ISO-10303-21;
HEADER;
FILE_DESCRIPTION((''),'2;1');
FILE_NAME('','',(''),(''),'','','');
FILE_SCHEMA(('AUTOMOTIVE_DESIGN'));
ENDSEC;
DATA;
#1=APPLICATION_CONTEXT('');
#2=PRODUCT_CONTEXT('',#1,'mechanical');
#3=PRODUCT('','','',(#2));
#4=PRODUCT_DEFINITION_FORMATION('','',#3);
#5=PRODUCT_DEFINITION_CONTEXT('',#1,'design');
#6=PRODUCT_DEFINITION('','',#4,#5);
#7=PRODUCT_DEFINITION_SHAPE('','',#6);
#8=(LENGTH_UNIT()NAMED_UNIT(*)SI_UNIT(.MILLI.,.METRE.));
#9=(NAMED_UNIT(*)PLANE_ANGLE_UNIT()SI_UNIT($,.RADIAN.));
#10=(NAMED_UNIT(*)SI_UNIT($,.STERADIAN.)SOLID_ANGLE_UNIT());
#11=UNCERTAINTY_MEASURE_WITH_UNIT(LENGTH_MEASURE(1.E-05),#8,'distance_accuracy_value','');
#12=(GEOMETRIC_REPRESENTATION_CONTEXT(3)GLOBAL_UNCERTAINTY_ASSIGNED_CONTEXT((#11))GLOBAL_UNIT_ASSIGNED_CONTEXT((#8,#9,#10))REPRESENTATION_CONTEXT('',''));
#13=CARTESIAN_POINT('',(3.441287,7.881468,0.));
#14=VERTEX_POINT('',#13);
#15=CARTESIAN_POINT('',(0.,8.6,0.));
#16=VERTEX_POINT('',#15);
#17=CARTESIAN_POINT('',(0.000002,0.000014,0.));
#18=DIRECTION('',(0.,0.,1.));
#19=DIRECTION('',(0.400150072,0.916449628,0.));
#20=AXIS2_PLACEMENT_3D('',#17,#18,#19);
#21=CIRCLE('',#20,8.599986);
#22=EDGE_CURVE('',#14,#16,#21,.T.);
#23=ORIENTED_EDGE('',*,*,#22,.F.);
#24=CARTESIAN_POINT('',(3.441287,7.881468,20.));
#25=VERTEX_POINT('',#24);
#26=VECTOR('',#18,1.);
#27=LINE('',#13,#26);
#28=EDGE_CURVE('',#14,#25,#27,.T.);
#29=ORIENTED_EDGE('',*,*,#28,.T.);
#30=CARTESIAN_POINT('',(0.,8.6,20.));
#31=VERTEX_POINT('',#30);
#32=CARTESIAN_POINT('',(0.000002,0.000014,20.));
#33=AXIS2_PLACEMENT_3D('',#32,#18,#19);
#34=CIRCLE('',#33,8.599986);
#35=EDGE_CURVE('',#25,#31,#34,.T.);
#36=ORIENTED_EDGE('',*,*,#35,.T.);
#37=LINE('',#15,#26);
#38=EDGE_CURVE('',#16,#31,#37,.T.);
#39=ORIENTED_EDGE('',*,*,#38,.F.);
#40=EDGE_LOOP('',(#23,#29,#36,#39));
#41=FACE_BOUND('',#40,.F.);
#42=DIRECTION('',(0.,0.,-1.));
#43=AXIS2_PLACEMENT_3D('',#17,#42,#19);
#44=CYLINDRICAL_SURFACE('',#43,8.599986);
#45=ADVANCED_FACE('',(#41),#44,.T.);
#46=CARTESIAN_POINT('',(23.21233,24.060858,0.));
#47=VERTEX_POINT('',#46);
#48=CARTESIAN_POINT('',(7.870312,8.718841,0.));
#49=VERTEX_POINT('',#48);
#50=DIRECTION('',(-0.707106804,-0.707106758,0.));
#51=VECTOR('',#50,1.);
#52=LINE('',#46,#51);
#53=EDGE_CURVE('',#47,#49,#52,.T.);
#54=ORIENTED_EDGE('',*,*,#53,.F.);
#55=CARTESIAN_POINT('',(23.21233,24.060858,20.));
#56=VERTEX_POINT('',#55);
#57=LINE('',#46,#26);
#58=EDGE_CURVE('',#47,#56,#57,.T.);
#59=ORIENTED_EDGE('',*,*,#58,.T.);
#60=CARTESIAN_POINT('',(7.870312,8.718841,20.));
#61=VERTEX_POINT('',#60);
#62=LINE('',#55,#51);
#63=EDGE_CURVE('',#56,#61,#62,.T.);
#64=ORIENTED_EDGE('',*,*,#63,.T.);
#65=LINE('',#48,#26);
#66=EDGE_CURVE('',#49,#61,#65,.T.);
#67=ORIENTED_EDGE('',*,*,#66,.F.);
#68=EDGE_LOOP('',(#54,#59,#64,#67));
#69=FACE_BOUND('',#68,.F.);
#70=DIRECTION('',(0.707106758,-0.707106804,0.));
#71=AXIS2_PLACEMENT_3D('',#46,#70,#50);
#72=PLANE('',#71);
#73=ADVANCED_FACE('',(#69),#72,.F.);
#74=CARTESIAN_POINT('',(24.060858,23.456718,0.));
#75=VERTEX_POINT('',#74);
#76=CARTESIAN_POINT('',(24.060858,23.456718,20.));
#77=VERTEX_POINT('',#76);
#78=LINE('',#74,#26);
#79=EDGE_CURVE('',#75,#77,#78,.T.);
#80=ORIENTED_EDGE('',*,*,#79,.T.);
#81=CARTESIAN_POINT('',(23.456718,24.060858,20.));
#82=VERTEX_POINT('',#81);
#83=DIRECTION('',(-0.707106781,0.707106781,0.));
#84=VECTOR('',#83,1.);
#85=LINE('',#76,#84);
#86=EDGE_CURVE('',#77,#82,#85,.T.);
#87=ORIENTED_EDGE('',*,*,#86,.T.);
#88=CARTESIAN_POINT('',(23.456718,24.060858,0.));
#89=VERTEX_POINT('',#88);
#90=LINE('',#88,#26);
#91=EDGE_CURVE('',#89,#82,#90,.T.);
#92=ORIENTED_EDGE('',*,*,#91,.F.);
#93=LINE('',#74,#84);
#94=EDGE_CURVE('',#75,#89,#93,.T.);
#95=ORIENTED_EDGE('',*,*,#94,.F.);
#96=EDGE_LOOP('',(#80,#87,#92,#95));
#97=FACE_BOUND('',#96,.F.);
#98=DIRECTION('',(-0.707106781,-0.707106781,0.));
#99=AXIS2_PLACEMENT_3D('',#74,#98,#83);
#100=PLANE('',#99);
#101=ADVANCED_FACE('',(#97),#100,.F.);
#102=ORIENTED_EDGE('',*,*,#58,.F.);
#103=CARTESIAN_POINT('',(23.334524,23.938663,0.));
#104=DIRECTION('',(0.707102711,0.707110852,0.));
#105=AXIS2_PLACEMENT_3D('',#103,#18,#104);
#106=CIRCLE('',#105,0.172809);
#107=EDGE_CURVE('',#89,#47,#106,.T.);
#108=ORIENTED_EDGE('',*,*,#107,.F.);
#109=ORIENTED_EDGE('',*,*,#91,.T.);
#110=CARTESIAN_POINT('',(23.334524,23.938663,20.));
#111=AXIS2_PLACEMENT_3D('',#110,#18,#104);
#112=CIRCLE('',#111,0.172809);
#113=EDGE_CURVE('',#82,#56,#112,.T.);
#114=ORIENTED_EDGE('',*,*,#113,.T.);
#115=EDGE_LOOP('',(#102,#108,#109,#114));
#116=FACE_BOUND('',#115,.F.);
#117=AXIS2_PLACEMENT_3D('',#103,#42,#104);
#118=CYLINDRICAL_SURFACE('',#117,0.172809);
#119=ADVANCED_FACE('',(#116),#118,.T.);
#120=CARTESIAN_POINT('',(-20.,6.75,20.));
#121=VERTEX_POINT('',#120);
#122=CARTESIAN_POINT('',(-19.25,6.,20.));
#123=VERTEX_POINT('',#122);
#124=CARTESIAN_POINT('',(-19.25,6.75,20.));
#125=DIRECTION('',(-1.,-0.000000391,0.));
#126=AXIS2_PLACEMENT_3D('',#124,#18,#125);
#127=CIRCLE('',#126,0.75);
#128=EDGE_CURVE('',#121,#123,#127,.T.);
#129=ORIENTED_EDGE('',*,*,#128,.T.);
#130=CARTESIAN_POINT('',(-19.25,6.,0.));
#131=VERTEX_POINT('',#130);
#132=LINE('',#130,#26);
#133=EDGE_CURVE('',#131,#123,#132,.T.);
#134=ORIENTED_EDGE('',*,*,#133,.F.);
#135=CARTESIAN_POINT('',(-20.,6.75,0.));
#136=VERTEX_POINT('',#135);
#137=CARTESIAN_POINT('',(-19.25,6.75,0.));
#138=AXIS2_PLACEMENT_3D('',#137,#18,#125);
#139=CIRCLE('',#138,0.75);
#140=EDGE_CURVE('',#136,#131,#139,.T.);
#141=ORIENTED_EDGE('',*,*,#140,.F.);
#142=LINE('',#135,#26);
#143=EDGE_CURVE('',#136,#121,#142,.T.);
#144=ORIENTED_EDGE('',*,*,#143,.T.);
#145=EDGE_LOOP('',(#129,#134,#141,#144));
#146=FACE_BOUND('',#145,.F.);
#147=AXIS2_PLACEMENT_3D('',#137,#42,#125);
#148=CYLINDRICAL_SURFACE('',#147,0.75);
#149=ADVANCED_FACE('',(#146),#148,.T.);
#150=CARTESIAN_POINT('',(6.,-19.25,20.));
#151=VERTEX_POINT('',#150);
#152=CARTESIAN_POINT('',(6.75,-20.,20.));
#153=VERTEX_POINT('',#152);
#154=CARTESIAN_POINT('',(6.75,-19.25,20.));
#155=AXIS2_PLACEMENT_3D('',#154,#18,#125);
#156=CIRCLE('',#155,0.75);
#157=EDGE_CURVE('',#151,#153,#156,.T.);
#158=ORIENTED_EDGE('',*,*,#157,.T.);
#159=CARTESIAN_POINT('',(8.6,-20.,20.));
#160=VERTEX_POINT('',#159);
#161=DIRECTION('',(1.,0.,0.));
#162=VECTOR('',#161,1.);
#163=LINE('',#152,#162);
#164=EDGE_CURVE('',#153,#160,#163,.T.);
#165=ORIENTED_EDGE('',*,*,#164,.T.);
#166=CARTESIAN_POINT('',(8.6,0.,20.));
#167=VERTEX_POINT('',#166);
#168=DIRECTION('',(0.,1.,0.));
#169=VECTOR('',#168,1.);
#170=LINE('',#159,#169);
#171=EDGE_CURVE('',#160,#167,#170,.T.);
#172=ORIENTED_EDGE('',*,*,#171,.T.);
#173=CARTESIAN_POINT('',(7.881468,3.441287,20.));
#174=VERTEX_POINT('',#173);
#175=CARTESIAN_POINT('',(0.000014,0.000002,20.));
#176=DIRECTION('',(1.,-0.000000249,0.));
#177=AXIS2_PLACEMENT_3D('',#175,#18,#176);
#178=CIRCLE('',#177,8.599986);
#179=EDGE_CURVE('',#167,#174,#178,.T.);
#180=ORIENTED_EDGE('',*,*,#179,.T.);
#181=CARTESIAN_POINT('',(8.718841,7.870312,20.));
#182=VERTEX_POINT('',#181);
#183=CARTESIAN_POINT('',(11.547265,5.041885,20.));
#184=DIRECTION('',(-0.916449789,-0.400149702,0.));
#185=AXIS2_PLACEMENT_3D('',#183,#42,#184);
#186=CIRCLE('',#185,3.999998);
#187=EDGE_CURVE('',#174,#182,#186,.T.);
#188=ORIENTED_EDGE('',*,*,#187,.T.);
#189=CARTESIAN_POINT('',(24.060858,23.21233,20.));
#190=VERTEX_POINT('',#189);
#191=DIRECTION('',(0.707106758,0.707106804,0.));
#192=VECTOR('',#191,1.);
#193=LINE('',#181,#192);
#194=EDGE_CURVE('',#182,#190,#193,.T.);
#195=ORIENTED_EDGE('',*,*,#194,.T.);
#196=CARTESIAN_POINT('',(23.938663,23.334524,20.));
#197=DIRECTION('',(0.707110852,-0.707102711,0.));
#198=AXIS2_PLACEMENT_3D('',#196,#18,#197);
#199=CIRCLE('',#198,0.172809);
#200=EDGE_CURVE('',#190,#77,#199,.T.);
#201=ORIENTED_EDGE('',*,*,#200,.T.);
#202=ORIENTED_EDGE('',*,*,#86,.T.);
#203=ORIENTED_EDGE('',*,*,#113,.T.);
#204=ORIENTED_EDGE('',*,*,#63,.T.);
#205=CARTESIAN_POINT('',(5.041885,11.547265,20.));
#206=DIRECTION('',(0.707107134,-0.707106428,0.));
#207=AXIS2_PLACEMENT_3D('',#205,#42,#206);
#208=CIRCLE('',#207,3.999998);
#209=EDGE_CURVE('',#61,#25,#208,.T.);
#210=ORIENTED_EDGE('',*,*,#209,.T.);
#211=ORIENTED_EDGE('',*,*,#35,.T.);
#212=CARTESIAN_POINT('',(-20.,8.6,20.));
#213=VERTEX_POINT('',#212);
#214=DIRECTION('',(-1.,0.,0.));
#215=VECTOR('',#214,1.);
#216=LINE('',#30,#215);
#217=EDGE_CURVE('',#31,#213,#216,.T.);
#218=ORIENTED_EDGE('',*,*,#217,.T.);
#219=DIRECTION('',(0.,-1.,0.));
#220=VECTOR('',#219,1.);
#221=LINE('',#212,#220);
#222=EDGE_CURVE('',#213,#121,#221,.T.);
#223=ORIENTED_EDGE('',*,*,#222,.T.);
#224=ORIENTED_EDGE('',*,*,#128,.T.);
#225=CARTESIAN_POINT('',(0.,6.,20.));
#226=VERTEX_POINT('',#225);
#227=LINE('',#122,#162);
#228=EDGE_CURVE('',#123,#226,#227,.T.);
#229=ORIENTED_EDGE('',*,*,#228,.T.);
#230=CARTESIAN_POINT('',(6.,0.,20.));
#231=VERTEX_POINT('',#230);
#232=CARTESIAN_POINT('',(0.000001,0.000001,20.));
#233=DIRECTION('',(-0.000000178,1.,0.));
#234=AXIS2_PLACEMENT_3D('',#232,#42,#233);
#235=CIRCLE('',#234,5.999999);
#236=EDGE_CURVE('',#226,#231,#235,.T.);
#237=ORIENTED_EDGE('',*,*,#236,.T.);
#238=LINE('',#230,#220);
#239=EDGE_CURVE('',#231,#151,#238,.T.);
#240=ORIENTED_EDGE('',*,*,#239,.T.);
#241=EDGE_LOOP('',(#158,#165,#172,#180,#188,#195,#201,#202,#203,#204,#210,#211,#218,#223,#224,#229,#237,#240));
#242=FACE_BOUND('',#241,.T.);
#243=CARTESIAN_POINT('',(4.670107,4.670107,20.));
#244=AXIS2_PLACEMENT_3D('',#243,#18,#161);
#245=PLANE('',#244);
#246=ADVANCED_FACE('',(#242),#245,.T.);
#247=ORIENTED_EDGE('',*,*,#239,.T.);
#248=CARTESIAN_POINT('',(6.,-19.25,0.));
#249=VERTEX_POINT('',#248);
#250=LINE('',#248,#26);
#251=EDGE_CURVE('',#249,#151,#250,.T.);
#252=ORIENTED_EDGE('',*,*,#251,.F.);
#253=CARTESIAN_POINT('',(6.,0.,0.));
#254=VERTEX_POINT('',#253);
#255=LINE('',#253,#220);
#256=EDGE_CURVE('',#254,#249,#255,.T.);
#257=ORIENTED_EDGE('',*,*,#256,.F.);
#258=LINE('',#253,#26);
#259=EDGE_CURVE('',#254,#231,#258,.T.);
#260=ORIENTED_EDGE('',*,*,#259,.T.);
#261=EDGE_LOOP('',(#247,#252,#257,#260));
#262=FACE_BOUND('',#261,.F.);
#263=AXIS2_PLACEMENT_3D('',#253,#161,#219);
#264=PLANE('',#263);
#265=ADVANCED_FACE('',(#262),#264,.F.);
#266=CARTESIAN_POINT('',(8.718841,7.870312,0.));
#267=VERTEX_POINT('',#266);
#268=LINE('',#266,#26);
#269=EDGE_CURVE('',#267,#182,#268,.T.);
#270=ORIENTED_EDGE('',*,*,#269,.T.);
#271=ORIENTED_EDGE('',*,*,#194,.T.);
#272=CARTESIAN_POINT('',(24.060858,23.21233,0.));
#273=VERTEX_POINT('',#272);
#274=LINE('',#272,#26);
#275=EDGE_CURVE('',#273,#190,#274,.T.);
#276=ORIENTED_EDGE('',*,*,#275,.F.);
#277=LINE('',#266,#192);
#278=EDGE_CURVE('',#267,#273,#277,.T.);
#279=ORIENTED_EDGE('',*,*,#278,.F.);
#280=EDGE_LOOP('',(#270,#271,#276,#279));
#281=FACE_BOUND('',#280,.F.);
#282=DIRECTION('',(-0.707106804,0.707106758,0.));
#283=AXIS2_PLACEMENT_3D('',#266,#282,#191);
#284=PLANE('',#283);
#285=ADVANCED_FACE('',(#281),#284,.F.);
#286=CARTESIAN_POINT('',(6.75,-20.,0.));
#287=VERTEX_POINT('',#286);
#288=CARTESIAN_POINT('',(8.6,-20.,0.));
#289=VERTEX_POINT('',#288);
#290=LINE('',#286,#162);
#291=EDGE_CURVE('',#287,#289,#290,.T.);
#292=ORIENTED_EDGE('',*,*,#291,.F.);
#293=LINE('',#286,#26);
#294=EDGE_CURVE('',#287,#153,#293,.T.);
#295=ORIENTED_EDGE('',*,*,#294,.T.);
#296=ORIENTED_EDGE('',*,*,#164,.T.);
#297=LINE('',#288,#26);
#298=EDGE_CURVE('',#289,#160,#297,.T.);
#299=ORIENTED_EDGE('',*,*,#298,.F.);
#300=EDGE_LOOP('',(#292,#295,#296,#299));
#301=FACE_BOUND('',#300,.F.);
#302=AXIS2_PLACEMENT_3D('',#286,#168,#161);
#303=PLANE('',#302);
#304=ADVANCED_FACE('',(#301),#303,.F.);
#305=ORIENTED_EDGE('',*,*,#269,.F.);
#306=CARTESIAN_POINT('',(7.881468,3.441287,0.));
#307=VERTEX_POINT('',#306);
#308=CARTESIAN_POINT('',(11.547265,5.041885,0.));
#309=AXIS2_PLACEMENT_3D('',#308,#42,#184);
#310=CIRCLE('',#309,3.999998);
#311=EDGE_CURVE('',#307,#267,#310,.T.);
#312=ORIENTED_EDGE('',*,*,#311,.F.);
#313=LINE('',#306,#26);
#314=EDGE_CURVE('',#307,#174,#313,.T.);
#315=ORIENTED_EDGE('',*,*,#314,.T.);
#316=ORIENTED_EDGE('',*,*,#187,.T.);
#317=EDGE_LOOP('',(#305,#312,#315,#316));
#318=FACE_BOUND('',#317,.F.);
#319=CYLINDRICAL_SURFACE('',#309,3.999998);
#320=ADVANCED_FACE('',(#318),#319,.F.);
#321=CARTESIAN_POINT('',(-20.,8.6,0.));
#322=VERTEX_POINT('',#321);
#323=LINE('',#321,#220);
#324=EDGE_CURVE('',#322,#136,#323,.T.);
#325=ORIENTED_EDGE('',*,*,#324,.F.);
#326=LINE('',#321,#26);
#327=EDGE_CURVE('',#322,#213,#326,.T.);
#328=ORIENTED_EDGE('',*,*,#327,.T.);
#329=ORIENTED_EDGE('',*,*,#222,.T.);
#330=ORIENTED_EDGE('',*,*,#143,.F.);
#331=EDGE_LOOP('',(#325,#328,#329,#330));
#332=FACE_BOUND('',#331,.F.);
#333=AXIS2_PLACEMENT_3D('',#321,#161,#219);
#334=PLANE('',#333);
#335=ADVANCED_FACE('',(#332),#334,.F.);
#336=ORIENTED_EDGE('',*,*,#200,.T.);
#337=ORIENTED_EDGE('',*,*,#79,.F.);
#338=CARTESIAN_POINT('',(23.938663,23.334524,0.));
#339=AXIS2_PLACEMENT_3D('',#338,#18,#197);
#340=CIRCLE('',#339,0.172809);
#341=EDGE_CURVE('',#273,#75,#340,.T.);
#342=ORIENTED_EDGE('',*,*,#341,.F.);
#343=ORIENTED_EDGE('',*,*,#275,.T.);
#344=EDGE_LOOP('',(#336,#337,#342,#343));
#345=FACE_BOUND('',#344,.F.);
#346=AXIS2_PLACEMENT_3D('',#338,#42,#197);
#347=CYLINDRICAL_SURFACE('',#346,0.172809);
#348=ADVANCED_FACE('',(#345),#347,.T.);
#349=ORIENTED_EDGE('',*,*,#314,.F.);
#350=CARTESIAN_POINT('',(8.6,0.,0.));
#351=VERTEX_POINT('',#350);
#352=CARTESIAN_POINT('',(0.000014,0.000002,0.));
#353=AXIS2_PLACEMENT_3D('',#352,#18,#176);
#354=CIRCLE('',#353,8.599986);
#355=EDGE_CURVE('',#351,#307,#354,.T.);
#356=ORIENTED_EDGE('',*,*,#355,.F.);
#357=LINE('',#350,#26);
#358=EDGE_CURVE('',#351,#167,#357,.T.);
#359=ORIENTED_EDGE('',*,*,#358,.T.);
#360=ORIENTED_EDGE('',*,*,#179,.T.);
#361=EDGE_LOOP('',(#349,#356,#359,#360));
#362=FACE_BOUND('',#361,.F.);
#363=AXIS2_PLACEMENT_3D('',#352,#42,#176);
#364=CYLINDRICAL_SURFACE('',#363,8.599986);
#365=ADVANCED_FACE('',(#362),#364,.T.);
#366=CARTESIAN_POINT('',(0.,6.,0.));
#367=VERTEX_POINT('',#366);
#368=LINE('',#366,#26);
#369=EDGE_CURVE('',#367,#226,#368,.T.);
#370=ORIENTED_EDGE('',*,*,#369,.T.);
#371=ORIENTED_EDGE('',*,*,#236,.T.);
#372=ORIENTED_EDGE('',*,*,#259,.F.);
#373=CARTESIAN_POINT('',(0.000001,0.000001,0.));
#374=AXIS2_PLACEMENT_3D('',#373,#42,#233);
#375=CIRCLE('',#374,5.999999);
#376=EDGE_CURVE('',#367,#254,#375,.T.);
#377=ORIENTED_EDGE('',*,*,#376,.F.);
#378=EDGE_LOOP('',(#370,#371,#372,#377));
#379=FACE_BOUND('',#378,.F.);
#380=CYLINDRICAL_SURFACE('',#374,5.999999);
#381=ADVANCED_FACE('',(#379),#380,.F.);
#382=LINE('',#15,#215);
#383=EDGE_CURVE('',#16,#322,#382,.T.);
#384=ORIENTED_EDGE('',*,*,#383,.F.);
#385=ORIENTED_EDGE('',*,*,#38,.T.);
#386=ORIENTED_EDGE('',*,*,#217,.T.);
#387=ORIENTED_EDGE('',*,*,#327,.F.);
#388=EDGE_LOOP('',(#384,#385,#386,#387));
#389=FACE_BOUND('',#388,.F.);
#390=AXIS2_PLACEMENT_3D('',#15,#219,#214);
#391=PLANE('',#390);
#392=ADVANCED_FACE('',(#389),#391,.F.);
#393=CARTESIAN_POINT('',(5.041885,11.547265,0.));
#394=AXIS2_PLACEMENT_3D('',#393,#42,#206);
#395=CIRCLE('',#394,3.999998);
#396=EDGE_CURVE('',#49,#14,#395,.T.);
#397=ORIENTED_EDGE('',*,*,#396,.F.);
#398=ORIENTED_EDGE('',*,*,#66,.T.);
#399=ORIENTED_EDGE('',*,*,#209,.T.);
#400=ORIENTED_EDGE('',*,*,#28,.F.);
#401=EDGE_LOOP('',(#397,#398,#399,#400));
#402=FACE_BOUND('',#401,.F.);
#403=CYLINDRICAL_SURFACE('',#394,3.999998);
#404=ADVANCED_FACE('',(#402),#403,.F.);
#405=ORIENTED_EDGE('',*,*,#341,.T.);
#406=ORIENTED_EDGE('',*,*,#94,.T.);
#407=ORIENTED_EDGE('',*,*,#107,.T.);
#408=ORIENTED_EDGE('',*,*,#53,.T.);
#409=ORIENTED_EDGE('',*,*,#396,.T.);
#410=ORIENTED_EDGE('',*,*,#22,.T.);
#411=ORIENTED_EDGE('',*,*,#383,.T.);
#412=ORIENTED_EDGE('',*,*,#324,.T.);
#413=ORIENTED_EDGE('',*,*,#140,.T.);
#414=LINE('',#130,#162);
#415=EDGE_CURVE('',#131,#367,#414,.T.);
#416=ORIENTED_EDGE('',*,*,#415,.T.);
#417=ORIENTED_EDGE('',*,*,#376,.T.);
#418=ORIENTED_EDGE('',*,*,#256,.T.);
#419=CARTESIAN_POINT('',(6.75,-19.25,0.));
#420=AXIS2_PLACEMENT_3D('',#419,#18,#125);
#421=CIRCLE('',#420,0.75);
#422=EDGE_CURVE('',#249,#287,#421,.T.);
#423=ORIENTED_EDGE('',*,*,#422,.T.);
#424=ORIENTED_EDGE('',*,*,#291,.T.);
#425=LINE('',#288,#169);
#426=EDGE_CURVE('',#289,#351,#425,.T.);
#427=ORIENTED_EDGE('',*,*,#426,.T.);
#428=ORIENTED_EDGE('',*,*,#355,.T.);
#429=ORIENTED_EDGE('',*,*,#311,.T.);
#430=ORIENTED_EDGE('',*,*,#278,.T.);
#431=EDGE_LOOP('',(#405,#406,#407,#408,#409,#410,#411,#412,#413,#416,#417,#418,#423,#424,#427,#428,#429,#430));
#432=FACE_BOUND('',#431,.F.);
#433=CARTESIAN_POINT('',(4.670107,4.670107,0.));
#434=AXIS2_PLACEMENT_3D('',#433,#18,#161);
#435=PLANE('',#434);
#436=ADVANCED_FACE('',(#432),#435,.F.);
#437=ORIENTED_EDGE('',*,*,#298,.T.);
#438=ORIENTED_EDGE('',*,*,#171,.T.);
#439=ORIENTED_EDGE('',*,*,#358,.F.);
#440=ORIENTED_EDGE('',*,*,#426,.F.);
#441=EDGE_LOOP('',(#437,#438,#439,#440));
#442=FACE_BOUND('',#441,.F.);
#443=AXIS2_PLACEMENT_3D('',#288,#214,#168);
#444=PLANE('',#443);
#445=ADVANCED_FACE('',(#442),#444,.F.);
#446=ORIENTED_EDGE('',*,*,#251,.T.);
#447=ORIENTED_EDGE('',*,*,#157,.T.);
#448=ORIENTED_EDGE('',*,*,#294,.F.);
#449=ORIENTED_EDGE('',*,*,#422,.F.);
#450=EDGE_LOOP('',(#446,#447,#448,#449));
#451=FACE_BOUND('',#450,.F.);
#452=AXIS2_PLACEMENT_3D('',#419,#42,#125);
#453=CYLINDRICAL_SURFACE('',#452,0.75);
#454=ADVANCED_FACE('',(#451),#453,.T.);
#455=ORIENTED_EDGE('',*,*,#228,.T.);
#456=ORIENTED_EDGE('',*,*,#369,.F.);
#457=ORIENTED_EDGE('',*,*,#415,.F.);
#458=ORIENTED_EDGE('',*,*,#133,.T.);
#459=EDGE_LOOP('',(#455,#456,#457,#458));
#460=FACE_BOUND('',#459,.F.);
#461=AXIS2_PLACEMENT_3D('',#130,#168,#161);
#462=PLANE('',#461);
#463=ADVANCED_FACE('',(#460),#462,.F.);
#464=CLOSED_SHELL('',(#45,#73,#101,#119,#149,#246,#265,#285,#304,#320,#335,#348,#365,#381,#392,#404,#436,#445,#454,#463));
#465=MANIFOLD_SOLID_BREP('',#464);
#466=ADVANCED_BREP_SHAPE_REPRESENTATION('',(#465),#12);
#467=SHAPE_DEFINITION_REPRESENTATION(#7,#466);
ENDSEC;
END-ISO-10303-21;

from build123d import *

# Parameters (mm, degrees)
F1_DEPTH = 20


with BuildPart() as f1:
    # F0 (on Top) → F1 (new body)
    with BuildSketch(Plane.XY):
        with BuildLine():
            ThreePointArc((0, 6), (4.242641, 4.242641), (6, 0))
            Line((6, 0), (6, -19.25))
            ThreePointArc((6, -19.25), (6.21967, -19.78033), (6.75, -20))
            Line((6.75, -20), (8.6, -20))
            Line((8.6, -20), (8.6, 0))
            ThreePointArc((8.6, 0), (8.418451, 1.75775), (7.881468, 3.441287))
            ThreePointArc((7.881468, 3.441287), (7.616897, 5.784979), (8.718841, 7.870312))
            Line((8.718841, 7.870312), (24.060858, 23.21233))
            ThreePointArc((24.060858, 23.21233), (24.111472, 23.334524), (24.060858, 23.456718))
            Line((24.060858, 23.456718), (23.758788, 23.758788))
            Line((23.758788, 23.758788), (23.456718, 24.060858))
            ThreePointArc((23.456718, 24.060858), (23.334524, 24.111472), (23.21233, 24.060858))
            Line((23.21233, 24.060858), (7.870312, 8.718841))
            ThreePointArc((7.870312, 8.718841), (5.784979, 7.616897), (3.441287, 7.881468))
            ThreePointArc((3.441287, 7.881468), (1.75775, 8.418451), (0, 8.6))
            Line((0, 8.6), (-20, 8.6))
            Line((-20, 8.6), (-20, 6.75))
            ThreePointArc((-20, 6.75), (-19.78033, 6.21967), (-19.25, 6))
            Line((-19.25, 6), (0, 6))
        make_face()
    extrude(amount=F1_DEPTH)


solid = f1.part
